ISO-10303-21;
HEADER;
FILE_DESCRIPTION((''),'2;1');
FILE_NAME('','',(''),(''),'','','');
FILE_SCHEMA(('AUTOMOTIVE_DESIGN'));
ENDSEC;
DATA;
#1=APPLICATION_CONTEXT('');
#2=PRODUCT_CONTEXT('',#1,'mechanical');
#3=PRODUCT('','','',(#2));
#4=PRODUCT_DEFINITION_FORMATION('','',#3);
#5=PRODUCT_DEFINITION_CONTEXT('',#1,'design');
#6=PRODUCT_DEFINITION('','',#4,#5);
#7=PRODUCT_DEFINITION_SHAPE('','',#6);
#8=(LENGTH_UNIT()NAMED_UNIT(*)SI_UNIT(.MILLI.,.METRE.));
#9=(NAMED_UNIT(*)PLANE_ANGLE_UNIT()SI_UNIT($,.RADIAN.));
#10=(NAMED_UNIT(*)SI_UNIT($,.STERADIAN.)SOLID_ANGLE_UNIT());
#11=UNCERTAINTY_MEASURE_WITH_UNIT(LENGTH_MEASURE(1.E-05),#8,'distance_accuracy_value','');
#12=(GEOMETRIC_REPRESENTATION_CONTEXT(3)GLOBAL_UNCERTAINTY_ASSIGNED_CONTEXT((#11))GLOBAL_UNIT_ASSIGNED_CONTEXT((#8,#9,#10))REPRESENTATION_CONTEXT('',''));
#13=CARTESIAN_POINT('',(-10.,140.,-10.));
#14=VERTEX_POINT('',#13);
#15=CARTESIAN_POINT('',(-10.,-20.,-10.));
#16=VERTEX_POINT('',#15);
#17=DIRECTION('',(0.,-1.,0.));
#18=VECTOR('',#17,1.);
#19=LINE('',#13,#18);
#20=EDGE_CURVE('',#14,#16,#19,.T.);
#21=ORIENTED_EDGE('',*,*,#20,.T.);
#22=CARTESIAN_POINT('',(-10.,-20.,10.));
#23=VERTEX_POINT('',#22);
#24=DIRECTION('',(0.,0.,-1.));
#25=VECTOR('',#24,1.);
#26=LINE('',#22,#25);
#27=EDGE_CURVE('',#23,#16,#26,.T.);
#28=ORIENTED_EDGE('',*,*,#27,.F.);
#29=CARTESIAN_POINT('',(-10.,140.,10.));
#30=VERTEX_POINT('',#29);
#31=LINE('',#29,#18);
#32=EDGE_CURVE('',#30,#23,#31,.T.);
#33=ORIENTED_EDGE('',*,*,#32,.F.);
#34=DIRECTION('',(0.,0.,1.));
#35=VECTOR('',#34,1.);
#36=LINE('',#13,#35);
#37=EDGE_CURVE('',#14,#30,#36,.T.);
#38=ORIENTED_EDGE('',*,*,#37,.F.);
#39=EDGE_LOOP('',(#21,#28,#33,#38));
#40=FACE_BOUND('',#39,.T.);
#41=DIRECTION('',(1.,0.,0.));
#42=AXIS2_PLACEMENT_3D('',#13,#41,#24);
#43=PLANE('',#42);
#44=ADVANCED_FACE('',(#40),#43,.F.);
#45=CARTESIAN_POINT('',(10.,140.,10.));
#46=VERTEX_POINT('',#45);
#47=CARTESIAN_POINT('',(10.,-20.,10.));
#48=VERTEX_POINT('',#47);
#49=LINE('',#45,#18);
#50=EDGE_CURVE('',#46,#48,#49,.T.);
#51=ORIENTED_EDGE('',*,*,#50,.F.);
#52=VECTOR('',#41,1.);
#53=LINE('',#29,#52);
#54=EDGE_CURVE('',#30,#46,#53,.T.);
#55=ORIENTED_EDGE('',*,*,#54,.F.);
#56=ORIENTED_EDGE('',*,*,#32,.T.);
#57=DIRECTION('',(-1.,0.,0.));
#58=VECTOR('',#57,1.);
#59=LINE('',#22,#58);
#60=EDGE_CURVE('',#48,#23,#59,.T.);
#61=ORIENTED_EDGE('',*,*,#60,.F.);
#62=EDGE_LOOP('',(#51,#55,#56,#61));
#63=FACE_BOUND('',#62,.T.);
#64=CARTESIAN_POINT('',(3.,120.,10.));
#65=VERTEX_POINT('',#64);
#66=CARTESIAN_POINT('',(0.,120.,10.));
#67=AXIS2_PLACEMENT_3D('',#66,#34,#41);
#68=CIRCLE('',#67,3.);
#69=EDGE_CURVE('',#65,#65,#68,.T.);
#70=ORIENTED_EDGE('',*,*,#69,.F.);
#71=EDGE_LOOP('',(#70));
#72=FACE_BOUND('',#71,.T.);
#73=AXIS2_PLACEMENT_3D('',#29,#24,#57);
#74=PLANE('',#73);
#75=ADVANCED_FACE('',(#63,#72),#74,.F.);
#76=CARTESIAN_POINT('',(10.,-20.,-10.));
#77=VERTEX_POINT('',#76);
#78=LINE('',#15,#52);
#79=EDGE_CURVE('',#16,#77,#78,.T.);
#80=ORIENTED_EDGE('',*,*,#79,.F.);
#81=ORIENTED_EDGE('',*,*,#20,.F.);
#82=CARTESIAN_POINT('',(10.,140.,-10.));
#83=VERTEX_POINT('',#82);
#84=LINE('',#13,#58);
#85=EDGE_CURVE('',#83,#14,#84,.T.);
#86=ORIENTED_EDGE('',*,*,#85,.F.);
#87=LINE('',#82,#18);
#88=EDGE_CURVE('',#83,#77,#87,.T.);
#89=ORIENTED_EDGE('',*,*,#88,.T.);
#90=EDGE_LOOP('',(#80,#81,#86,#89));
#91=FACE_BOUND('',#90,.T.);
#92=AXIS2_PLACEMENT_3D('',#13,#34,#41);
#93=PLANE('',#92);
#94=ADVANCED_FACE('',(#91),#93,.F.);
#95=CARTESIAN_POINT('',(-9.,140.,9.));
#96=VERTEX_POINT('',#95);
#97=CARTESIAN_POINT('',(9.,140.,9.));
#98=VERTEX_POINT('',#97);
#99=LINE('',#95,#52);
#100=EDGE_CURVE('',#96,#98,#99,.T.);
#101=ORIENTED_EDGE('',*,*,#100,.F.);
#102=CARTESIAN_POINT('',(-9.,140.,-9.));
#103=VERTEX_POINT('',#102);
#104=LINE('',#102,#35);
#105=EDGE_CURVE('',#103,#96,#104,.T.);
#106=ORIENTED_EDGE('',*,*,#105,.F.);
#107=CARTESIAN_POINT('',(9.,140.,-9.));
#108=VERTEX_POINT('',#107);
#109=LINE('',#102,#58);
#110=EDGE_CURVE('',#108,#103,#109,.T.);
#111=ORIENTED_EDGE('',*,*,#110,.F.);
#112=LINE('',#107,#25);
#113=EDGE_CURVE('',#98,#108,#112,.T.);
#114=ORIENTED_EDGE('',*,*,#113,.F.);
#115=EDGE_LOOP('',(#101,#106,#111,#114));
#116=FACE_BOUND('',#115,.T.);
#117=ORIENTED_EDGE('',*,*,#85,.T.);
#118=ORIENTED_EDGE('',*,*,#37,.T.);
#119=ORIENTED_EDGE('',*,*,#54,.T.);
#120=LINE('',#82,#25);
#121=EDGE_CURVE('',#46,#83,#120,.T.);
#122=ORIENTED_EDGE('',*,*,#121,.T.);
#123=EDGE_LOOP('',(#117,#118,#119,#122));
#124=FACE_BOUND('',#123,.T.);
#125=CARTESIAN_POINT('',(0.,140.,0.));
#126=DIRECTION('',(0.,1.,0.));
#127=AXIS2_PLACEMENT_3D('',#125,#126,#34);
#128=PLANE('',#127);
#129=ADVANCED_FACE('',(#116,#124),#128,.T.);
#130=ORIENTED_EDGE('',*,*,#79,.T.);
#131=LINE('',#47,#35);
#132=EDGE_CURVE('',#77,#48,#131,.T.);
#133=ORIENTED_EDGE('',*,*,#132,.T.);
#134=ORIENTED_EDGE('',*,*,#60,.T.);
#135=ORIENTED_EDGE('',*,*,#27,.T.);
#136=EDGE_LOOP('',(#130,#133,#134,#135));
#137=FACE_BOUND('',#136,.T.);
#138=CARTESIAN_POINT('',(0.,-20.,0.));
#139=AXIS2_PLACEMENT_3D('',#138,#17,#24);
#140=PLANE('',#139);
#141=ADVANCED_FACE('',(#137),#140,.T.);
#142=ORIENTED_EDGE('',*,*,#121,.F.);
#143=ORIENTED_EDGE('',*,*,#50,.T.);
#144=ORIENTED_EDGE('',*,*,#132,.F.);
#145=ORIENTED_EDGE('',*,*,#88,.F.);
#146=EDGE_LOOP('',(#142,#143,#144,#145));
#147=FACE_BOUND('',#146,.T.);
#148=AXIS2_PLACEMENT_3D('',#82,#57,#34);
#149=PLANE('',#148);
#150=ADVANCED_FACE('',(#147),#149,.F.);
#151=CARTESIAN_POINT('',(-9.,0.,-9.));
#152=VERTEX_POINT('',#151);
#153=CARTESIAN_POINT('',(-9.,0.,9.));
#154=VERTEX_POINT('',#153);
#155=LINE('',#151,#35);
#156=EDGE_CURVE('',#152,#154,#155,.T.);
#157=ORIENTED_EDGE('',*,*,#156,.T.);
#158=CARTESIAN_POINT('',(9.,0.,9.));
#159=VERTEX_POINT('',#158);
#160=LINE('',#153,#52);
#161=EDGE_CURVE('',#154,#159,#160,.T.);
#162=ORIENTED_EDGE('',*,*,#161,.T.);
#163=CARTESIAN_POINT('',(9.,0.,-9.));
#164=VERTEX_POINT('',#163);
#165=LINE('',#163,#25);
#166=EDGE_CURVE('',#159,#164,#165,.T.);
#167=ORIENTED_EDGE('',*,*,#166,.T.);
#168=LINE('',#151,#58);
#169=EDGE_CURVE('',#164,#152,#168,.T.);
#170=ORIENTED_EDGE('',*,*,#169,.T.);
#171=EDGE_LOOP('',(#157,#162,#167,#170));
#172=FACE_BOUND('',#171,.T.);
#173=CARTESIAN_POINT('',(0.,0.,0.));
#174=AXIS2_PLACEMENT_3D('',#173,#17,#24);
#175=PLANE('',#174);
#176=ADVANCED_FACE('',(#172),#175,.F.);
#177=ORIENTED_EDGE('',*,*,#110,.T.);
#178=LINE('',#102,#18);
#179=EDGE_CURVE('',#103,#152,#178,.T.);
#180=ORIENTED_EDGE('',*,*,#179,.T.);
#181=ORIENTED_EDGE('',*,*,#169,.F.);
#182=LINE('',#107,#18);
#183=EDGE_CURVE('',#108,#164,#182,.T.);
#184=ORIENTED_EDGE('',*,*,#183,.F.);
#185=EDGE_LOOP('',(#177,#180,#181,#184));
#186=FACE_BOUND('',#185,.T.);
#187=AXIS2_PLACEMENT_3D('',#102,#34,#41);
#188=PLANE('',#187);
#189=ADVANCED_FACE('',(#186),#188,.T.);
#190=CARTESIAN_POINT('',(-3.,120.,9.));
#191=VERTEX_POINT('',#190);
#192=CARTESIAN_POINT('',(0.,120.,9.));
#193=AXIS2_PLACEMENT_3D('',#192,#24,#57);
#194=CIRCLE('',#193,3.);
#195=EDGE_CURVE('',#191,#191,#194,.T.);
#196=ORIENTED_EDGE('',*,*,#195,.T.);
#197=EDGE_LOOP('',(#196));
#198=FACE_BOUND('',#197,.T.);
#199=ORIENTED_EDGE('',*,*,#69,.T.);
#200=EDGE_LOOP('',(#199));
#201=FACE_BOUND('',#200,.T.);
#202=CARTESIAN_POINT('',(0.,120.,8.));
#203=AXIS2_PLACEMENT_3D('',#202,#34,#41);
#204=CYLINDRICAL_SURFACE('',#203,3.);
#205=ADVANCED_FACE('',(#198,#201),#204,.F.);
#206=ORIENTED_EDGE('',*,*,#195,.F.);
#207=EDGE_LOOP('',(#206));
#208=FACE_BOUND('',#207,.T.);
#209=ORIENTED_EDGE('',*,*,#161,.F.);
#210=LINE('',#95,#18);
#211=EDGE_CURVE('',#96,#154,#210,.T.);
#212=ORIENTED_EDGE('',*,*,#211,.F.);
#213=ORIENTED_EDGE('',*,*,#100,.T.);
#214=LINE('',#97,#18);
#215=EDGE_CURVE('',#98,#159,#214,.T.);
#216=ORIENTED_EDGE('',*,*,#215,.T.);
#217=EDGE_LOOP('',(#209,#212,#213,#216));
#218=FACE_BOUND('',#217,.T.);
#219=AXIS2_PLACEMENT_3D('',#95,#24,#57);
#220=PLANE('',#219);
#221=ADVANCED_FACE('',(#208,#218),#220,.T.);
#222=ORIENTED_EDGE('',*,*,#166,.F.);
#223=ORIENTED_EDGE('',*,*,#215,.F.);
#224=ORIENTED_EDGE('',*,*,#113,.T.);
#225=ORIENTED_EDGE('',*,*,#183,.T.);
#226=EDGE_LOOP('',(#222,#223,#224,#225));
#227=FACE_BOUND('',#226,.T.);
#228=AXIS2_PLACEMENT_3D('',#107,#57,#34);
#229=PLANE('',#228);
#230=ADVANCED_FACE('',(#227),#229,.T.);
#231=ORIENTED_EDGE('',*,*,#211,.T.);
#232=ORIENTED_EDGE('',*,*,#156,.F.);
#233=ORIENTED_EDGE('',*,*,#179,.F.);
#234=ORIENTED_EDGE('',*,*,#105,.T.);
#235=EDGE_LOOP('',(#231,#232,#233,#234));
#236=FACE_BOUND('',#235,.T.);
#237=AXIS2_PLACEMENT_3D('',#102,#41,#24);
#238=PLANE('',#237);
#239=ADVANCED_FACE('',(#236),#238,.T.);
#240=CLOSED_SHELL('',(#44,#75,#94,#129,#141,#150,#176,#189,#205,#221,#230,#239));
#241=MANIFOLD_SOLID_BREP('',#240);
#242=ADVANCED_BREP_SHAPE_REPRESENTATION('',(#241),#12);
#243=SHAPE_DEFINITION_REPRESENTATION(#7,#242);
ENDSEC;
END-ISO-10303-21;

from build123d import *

# Parameters (mm, degrees)
SKETCH_1_W          = 20
SKETCH_1_H          = 20
SKETCH_1_W_2        = 18
SKETCH_1_H_2        = 18
EXTRUDE_1_DEPTH     = 140
SKETCH_2_W          = 20
SKETCH_2_H          = 20
EXTRUDE_2_DEPTH     = 20
SKETCH_3_R          = 3
CUT_EXTRUDE_1_DEPTH = 2


with BuildPart() as part:
    # 草图1 → 凸台-拉伸1 (new body)
    with BuildSketch(Plane(origin=(0, 0, 0), x_dir=(1, 0, 0), z_dir=(0, 1, 0))):
        Rectangle(SKETCH_1_W, SKETCH_1_H)
        Rectangle(SKETCH_1_W_2, SKETCH_1_H_2, mode=Mode.SUBTRACT)
    extrude(amount=EXTRUDE_1_DEPTH)

    # 草图2 → 凸台-拉伸2 (add)
    with BuildSketch(Plane.XZ):
        Rectangle(SKETCH_2_W, SKETCH_2_H)
    extrude(amount=EXTRUDE_2_DEPTH)

    # 草图3 → 切除-拉伸1 (cut)
    with BuildSketch(Plane.XY.offset(10)):
        with Locations((0, 120)):
            Circle(SKETCH_3_R)
    extrude(amount=-CUT_EXTRUDE_1_DEPTH, mode=Mode.SUBTRACT)


solid = part.part
